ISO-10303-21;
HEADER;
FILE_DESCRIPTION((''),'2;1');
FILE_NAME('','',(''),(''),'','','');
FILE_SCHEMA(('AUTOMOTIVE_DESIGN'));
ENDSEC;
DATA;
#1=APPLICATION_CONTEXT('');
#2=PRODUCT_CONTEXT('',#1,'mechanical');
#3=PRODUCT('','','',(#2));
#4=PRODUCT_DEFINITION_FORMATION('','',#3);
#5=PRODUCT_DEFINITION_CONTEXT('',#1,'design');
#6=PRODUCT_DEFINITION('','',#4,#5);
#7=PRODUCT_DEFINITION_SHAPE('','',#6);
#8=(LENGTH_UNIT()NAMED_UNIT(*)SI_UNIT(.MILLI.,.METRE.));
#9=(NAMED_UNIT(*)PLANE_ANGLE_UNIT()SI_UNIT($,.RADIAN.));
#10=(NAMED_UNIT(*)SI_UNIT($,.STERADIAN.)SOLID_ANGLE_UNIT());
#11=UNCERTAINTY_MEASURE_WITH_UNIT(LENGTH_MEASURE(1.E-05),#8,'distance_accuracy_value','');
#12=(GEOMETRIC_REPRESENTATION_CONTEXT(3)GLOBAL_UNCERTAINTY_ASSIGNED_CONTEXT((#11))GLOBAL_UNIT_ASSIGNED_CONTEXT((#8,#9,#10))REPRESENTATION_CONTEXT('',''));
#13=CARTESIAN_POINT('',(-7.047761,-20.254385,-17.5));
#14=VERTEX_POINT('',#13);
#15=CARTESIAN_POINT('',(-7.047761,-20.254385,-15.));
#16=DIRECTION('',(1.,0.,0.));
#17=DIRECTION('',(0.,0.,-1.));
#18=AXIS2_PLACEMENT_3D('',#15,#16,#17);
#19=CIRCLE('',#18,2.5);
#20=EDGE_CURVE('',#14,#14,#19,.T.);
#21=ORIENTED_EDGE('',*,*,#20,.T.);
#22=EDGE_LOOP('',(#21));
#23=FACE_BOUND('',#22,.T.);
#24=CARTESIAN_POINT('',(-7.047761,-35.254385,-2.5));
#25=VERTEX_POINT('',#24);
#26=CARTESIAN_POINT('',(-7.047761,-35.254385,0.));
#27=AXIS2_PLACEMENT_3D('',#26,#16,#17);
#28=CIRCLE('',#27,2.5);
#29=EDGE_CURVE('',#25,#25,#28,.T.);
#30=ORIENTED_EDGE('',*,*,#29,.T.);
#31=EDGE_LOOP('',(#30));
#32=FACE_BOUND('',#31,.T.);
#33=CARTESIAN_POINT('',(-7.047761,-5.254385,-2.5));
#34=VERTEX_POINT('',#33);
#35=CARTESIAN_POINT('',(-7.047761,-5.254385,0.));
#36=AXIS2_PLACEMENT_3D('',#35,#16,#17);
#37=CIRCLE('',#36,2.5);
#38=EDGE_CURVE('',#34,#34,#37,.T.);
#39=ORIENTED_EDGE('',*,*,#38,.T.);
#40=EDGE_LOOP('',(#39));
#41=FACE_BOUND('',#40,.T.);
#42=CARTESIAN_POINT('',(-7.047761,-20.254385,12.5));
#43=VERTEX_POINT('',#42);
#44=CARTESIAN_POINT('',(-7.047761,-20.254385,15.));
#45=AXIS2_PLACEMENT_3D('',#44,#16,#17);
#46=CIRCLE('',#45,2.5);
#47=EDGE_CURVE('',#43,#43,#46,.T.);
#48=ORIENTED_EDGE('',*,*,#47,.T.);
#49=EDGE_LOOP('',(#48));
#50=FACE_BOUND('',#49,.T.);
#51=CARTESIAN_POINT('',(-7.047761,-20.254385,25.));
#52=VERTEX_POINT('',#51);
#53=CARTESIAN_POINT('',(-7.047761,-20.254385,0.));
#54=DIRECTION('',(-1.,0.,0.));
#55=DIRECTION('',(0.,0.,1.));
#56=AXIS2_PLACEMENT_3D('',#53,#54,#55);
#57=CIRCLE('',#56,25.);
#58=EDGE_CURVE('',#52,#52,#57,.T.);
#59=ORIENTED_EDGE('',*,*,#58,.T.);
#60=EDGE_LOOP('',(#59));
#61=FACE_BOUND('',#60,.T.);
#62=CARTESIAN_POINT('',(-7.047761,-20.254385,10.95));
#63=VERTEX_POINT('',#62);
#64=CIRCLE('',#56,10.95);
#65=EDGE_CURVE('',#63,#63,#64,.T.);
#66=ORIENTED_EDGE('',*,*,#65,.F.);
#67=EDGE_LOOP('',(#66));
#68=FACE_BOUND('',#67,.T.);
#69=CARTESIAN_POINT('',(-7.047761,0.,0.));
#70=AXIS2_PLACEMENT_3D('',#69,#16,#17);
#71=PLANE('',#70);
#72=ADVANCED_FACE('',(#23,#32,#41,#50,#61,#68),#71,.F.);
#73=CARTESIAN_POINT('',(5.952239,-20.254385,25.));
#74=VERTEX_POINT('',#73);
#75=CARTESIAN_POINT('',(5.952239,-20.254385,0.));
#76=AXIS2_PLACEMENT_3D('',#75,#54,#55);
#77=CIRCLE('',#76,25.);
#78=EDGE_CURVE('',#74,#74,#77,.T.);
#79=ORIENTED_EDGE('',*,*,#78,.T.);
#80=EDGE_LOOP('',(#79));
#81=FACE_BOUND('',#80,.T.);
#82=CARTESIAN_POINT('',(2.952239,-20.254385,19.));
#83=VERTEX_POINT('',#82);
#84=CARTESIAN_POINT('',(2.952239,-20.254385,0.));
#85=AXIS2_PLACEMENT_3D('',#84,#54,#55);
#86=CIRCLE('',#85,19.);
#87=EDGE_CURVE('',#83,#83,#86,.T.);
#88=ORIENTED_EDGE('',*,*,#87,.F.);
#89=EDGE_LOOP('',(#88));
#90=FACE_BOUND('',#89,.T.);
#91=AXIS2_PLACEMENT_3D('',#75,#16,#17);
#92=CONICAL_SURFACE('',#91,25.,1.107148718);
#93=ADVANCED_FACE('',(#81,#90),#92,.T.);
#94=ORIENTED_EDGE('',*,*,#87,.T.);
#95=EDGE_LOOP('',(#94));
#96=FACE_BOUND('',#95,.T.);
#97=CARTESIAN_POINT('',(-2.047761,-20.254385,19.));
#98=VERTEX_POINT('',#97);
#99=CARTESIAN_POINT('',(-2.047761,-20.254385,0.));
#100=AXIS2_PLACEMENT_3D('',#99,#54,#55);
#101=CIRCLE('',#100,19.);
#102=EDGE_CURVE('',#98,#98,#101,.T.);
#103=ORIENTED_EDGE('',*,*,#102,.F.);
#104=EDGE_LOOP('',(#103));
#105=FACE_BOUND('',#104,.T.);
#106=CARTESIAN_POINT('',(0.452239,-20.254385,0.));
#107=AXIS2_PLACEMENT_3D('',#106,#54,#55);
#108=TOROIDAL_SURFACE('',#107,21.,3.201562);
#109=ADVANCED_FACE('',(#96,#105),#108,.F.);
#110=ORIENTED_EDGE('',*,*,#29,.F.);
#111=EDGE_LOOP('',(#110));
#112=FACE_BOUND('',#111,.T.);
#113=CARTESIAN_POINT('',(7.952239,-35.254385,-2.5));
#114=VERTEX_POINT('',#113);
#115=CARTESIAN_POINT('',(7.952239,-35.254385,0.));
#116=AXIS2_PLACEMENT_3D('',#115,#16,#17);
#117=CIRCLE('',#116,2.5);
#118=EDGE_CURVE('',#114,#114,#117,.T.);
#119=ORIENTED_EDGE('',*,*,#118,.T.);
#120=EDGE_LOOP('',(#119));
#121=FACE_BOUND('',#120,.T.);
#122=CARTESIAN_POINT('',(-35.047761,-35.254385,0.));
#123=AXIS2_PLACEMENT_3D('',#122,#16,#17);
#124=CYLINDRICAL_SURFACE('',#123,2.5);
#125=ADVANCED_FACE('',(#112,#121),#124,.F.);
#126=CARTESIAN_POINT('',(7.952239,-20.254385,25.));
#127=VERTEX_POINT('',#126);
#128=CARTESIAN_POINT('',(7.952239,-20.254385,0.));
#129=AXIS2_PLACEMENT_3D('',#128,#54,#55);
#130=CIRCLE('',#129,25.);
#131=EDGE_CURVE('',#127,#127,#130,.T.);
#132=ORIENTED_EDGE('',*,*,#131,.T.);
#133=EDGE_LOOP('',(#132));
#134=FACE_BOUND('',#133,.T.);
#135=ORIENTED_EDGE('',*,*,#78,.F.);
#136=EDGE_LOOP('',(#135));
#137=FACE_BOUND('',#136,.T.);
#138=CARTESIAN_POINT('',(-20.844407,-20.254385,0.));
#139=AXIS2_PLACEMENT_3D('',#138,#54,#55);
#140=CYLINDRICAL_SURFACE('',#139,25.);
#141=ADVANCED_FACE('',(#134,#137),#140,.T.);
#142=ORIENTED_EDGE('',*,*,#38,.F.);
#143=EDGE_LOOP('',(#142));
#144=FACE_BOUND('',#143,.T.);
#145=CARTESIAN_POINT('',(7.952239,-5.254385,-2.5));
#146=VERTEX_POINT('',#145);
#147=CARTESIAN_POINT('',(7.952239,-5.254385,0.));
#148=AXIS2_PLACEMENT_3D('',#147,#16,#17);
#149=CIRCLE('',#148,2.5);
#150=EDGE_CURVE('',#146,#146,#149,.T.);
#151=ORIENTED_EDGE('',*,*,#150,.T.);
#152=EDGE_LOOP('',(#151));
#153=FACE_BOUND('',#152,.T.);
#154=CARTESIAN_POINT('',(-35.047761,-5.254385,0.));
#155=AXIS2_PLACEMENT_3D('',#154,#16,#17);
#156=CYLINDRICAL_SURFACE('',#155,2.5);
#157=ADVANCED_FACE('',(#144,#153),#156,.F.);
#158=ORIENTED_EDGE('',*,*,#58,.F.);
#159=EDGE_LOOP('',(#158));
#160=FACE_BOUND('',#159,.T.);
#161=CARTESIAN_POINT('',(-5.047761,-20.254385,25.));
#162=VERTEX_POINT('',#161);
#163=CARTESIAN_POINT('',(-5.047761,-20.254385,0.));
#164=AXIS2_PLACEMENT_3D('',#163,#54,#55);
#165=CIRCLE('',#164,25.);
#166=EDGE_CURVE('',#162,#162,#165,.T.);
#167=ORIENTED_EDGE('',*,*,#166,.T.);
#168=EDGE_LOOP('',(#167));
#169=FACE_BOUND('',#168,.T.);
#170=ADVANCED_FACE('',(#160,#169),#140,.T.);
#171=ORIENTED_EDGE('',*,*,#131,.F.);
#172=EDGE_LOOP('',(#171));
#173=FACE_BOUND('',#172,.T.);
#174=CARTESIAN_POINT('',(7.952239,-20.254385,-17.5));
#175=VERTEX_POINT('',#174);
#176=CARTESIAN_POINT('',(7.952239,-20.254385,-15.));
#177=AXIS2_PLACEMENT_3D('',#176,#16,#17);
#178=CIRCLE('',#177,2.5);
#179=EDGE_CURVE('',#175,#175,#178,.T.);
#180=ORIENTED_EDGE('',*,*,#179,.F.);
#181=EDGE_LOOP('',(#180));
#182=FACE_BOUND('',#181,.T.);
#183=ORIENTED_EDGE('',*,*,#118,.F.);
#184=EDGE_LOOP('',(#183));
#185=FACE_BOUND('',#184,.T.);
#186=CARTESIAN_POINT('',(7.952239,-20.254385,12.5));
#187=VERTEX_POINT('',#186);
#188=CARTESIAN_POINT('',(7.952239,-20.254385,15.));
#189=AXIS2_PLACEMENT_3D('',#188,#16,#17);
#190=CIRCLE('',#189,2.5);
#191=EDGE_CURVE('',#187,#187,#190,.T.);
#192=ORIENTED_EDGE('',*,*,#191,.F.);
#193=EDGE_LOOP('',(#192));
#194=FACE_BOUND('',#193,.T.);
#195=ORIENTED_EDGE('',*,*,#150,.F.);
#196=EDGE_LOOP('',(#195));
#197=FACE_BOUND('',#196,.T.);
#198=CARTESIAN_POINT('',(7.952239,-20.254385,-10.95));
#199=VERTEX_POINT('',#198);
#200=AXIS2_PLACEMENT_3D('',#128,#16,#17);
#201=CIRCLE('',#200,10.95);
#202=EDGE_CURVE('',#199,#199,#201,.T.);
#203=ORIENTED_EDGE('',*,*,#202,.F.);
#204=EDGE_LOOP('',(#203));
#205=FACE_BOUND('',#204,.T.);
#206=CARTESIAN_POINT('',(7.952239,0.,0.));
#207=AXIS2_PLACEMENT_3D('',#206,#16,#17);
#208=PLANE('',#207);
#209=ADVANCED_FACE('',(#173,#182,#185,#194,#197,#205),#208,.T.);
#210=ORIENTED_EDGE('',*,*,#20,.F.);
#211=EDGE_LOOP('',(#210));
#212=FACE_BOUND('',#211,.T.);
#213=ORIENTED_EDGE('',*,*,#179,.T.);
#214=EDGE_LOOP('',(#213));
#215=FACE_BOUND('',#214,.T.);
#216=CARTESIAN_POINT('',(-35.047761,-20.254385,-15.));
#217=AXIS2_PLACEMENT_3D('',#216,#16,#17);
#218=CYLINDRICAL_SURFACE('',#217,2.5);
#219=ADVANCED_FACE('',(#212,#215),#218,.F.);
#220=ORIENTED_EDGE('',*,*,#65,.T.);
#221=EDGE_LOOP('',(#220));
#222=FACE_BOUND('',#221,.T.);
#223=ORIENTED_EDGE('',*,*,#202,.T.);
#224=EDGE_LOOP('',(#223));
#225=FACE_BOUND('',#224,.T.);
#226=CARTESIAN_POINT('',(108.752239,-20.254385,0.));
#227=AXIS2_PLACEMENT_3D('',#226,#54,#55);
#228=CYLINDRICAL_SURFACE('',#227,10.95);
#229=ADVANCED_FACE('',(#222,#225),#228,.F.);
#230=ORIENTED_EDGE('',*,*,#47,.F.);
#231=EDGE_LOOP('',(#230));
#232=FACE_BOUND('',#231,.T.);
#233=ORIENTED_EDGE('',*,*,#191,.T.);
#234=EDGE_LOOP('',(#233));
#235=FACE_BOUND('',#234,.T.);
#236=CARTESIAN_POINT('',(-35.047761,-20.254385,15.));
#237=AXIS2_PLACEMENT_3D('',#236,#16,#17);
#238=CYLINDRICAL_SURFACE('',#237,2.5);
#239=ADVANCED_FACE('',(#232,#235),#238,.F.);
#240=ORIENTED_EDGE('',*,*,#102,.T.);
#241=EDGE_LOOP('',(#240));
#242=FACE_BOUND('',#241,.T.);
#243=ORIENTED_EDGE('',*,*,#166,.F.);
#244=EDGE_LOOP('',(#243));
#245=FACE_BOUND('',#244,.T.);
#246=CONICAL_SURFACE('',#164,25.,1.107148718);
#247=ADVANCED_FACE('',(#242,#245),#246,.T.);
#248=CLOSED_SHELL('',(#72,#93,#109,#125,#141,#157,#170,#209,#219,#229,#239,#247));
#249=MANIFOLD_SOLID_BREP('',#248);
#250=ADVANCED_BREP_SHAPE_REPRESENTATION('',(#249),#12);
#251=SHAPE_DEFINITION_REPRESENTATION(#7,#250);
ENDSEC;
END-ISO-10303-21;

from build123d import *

# Parameters (mm, degrees)
CROQUIS2_R            = 3.95
CORTAR_EXTRUIR1_DEPTH = 14
CROQUIS3_R            = 10.95
CORTAR_EXTRUIR2_DEPTH = 115.8
CROQUIS4_R            = 2.5
CORTAR_EXTRUIR3_DEPTH = 43


with BuildPart() as part:
    # Croquis1 → Revolución1 (revolve)
    with BuildSketch(Plane.XY, mode=Mode.PRIVATE) as revoluci_n1_sk:
        with BuildLine():
            Line((5.952239129, 4.74561549), (2.952239129, -1.25438451))
            ThreePointArc((2.952239129, -1.25438451), (0.452239129, -2.455946629), (-2.047760871, -1.25438451))
            Line((-2.047760871, -1.25438451), (-5.047760871, 4.74561549))
            Line((-5.047760871, 4.74561549), (-7.047760871, 4.74561549))
            Line((-7.047760871, 4.74561549), (-7.047760871, -20.25438451))
            Line((-7.047760871, -20.25438451), (7.952239129, -20.25438451))
            Line((7.952239129, -20.25438451), (7.952239129, 4.74561549))
            Line((7.952239129, 4.74561549), (5.952239129, 4.74561549))
        make_face()
    revolve(revoluci_n1_sk.sketch.rotate(Axis((-20.844407183, -20.25438451, 0), (1, 0, 0)), 90), axis=Axis((-20.844407183, -20.25438451, 0), (1, 0, 0)))

    # Croquis2 → Cortar-Extruir1 (cut)
    with BuildSketch(Plane.ZY.offset(7.047760871)):
        with Locations((0, -20.25438451)):
            Circle(CROQUIS2_R)
    extrude(amount=-CORTAR_EXTRUIR1_DEPTH, mode=Mode.SUBTRACT)

    # Croquis3 → Cortar-Extruir2 (cut)
    with BuildSketch(Plane.ZY.offset(7.047760871)):
        with Locations((0, -20.25438451)):
            Circle(CROQUIS3_R)
    extrude(amount=-CORTAR_EXTRUIR2_DEPTH, mode=Mode.SUBTRACT)

    # Croquis4 → Cortar-Extruir3 (cut)
    with BuildSketch(Plane(origin=(7.952239129, 0, 0), x_dir=(0, 0, -1), z_dir=(1, 0, 0))):
        with Locations((-15, -20.25438451)):
            Circle(CROQUIS4_R)
        with Locations((0, -35.25438451)):
            Circle(CROQUIS4_R)
        with Locations((15, -20.25438451)):
            Circle(CROQUIS4_R)
        with Locations((0, -5.25438451)):
            Circle(CROQUIS4_R)
    extrude(amount=-CORTAR_EXTRUIR3_DEPTH, mode=Mode.SUBTRACT)


solid = part.part
